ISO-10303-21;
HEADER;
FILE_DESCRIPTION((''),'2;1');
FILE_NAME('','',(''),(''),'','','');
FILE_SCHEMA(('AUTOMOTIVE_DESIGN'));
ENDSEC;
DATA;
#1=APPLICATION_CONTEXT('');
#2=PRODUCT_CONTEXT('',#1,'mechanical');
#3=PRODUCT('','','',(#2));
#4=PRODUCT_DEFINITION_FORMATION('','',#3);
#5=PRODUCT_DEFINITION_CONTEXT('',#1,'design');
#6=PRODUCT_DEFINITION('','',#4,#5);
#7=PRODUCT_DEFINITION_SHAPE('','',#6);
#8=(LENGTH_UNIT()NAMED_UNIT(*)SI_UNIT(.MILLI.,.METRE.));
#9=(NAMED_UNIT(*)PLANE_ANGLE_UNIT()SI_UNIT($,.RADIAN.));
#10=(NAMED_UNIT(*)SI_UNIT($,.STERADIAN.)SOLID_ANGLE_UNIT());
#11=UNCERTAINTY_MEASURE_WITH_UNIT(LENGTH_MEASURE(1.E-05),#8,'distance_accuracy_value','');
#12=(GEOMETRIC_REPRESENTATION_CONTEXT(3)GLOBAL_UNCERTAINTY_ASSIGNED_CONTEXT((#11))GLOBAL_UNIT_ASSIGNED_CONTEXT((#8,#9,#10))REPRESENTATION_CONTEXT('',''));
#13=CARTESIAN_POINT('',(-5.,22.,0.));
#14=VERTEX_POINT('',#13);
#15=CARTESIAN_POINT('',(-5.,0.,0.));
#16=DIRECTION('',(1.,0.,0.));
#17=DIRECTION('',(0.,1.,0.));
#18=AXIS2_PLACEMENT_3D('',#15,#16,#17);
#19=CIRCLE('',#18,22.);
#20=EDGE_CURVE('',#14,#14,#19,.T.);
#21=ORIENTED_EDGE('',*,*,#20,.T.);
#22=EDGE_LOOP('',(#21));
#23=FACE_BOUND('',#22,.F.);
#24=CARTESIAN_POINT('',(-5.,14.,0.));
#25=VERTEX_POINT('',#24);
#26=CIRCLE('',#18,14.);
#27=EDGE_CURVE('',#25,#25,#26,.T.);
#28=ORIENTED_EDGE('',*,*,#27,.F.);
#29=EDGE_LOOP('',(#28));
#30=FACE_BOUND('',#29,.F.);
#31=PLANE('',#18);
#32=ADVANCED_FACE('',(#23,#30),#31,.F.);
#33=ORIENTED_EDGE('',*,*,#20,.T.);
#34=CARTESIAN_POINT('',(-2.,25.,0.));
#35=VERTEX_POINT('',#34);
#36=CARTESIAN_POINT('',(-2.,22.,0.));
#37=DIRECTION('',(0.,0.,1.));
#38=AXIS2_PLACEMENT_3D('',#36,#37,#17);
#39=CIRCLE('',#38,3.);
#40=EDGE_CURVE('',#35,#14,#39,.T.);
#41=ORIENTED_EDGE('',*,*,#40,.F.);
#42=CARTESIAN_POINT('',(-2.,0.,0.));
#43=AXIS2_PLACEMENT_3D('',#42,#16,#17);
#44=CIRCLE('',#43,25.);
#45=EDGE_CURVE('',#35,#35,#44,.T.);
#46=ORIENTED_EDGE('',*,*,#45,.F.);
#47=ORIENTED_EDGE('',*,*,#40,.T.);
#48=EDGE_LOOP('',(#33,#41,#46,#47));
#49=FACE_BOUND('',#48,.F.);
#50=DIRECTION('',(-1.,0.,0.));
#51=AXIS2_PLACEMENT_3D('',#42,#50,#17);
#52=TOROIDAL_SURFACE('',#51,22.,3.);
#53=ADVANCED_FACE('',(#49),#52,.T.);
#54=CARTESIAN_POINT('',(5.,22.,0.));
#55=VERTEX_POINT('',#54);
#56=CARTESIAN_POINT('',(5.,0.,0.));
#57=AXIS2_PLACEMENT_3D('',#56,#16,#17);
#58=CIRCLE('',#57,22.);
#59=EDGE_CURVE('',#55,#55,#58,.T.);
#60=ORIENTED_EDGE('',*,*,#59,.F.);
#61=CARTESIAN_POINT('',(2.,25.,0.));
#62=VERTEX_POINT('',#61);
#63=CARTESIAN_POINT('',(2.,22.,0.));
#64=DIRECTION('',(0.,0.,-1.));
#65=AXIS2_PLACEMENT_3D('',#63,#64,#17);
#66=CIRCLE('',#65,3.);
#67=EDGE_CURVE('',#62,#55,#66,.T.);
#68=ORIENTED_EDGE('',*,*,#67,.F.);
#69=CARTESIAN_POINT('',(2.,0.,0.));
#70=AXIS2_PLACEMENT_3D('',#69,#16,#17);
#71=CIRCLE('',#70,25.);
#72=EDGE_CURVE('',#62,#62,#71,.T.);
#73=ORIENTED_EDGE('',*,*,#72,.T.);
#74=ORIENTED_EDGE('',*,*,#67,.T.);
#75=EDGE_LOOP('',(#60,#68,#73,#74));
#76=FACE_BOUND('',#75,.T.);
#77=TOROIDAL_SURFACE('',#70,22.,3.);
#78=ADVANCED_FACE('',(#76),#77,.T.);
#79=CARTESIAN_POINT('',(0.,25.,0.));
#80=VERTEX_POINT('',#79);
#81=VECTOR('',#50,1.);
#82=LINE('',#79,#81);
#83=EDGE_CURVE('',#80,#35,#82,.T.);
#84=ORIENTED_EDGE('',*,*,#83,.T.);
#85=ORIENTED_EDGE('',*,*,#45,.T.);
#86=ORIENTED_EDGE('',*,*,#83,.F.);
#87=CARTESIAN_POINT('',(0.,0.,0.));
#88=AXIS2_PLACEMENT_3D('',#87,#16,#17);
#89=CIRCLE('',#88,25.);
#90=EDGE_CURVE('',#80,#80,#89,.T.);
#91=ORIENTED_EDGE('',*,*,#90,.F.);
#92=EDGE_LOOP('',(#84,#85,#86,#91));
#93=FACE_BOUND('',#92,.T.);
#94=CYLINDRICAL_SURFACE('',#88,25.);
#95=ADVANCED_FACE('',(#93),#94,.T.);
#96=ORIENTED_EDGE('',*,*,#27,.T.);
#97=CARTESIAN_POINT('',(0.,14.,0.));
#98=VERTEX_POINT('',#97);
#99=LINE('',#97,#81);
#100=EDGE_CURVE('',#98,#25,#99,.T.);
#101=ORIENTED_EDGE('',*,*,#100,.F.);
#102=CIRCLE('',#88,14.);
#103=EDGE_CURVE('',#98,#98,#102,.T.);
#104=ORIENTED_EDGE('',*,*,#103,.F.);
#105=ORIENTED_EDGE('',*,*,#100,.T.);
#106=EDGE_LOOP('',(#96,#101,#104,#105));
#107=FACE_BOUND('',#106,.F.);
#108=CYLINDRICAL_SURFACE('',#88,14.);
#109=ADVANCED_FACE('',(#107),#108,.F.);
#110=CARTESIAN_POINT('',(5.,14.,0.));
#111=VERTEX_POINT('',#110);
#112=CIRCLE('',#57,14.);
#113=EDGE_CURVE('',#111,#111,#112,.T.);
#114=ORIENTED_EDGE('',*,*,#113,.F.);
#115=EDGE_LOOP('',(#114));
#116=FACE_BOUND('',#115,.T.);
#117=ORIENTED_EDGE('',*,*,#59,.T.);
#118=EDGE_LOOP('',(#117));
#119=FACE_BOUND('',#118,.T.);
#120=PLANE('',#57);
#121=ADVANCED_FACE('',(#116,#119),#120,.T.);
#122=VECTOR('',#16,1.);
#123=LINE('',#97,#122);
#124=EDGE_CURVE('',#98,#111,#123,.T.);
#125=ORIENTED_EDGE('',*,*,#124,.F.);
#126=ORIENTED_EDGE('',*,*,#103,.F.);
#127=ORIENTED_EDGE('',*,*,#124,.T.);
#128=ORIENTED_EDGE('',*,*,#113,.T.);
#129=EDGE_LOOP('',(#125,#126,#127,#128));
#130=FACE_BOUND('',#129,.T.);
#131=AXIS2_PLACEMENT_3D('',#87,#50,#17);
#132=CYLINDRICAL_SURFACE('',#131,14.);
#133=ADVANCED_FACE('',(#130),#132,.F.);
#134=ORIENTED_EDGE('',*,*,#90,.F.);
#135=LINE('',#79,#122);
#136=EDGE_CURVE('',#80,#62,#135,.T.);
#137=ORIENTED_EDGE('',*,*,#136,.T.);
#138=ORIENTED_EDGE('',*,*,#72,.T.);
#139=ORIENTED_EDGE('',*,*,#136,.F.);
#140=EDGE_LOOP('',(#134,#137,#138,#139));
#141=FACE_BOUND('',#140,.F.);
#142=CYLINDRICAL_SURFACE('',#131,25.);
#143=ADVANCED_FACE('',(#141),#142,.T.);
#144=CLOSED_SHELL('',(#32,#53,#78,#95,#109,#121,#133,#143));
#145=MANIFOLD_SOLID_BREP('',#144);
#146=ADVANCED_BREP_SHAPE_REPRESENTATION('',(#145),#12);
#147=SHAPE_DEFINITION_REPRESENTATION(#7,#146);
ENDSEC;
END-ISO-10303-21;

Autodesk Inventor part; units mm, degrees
ref_plane "YZ Plane" through (0, 0, 0) normal (1, 0, 0) x (0, 1, 0)
ref_plane "XZ Plane" through (0, 0, 0) normal (0, 1, 0) x (-1, 0, 0)
ref_plane "XY Plane" through (0, 0, 0) normal (0, 0, 1) x (1, 0, 0)
sketch "スケッチ1" plane through (0, 0, 0) normal (1, 0, 0) x (0, 1, 0)
  circle A0 centre (0, 0) radius 14
  circle A1 centre (0, 0) radius 25
  dimension "d0" = 28
  dimension "d1" = 50
extrude "押し出し1" add sketch "スケッチ1" along normal mid plane 10
fillet "フィレット1" radius 3 2 edges at (5, -25, 0) (-5, -25, 0)
properties part number "tire_o"
